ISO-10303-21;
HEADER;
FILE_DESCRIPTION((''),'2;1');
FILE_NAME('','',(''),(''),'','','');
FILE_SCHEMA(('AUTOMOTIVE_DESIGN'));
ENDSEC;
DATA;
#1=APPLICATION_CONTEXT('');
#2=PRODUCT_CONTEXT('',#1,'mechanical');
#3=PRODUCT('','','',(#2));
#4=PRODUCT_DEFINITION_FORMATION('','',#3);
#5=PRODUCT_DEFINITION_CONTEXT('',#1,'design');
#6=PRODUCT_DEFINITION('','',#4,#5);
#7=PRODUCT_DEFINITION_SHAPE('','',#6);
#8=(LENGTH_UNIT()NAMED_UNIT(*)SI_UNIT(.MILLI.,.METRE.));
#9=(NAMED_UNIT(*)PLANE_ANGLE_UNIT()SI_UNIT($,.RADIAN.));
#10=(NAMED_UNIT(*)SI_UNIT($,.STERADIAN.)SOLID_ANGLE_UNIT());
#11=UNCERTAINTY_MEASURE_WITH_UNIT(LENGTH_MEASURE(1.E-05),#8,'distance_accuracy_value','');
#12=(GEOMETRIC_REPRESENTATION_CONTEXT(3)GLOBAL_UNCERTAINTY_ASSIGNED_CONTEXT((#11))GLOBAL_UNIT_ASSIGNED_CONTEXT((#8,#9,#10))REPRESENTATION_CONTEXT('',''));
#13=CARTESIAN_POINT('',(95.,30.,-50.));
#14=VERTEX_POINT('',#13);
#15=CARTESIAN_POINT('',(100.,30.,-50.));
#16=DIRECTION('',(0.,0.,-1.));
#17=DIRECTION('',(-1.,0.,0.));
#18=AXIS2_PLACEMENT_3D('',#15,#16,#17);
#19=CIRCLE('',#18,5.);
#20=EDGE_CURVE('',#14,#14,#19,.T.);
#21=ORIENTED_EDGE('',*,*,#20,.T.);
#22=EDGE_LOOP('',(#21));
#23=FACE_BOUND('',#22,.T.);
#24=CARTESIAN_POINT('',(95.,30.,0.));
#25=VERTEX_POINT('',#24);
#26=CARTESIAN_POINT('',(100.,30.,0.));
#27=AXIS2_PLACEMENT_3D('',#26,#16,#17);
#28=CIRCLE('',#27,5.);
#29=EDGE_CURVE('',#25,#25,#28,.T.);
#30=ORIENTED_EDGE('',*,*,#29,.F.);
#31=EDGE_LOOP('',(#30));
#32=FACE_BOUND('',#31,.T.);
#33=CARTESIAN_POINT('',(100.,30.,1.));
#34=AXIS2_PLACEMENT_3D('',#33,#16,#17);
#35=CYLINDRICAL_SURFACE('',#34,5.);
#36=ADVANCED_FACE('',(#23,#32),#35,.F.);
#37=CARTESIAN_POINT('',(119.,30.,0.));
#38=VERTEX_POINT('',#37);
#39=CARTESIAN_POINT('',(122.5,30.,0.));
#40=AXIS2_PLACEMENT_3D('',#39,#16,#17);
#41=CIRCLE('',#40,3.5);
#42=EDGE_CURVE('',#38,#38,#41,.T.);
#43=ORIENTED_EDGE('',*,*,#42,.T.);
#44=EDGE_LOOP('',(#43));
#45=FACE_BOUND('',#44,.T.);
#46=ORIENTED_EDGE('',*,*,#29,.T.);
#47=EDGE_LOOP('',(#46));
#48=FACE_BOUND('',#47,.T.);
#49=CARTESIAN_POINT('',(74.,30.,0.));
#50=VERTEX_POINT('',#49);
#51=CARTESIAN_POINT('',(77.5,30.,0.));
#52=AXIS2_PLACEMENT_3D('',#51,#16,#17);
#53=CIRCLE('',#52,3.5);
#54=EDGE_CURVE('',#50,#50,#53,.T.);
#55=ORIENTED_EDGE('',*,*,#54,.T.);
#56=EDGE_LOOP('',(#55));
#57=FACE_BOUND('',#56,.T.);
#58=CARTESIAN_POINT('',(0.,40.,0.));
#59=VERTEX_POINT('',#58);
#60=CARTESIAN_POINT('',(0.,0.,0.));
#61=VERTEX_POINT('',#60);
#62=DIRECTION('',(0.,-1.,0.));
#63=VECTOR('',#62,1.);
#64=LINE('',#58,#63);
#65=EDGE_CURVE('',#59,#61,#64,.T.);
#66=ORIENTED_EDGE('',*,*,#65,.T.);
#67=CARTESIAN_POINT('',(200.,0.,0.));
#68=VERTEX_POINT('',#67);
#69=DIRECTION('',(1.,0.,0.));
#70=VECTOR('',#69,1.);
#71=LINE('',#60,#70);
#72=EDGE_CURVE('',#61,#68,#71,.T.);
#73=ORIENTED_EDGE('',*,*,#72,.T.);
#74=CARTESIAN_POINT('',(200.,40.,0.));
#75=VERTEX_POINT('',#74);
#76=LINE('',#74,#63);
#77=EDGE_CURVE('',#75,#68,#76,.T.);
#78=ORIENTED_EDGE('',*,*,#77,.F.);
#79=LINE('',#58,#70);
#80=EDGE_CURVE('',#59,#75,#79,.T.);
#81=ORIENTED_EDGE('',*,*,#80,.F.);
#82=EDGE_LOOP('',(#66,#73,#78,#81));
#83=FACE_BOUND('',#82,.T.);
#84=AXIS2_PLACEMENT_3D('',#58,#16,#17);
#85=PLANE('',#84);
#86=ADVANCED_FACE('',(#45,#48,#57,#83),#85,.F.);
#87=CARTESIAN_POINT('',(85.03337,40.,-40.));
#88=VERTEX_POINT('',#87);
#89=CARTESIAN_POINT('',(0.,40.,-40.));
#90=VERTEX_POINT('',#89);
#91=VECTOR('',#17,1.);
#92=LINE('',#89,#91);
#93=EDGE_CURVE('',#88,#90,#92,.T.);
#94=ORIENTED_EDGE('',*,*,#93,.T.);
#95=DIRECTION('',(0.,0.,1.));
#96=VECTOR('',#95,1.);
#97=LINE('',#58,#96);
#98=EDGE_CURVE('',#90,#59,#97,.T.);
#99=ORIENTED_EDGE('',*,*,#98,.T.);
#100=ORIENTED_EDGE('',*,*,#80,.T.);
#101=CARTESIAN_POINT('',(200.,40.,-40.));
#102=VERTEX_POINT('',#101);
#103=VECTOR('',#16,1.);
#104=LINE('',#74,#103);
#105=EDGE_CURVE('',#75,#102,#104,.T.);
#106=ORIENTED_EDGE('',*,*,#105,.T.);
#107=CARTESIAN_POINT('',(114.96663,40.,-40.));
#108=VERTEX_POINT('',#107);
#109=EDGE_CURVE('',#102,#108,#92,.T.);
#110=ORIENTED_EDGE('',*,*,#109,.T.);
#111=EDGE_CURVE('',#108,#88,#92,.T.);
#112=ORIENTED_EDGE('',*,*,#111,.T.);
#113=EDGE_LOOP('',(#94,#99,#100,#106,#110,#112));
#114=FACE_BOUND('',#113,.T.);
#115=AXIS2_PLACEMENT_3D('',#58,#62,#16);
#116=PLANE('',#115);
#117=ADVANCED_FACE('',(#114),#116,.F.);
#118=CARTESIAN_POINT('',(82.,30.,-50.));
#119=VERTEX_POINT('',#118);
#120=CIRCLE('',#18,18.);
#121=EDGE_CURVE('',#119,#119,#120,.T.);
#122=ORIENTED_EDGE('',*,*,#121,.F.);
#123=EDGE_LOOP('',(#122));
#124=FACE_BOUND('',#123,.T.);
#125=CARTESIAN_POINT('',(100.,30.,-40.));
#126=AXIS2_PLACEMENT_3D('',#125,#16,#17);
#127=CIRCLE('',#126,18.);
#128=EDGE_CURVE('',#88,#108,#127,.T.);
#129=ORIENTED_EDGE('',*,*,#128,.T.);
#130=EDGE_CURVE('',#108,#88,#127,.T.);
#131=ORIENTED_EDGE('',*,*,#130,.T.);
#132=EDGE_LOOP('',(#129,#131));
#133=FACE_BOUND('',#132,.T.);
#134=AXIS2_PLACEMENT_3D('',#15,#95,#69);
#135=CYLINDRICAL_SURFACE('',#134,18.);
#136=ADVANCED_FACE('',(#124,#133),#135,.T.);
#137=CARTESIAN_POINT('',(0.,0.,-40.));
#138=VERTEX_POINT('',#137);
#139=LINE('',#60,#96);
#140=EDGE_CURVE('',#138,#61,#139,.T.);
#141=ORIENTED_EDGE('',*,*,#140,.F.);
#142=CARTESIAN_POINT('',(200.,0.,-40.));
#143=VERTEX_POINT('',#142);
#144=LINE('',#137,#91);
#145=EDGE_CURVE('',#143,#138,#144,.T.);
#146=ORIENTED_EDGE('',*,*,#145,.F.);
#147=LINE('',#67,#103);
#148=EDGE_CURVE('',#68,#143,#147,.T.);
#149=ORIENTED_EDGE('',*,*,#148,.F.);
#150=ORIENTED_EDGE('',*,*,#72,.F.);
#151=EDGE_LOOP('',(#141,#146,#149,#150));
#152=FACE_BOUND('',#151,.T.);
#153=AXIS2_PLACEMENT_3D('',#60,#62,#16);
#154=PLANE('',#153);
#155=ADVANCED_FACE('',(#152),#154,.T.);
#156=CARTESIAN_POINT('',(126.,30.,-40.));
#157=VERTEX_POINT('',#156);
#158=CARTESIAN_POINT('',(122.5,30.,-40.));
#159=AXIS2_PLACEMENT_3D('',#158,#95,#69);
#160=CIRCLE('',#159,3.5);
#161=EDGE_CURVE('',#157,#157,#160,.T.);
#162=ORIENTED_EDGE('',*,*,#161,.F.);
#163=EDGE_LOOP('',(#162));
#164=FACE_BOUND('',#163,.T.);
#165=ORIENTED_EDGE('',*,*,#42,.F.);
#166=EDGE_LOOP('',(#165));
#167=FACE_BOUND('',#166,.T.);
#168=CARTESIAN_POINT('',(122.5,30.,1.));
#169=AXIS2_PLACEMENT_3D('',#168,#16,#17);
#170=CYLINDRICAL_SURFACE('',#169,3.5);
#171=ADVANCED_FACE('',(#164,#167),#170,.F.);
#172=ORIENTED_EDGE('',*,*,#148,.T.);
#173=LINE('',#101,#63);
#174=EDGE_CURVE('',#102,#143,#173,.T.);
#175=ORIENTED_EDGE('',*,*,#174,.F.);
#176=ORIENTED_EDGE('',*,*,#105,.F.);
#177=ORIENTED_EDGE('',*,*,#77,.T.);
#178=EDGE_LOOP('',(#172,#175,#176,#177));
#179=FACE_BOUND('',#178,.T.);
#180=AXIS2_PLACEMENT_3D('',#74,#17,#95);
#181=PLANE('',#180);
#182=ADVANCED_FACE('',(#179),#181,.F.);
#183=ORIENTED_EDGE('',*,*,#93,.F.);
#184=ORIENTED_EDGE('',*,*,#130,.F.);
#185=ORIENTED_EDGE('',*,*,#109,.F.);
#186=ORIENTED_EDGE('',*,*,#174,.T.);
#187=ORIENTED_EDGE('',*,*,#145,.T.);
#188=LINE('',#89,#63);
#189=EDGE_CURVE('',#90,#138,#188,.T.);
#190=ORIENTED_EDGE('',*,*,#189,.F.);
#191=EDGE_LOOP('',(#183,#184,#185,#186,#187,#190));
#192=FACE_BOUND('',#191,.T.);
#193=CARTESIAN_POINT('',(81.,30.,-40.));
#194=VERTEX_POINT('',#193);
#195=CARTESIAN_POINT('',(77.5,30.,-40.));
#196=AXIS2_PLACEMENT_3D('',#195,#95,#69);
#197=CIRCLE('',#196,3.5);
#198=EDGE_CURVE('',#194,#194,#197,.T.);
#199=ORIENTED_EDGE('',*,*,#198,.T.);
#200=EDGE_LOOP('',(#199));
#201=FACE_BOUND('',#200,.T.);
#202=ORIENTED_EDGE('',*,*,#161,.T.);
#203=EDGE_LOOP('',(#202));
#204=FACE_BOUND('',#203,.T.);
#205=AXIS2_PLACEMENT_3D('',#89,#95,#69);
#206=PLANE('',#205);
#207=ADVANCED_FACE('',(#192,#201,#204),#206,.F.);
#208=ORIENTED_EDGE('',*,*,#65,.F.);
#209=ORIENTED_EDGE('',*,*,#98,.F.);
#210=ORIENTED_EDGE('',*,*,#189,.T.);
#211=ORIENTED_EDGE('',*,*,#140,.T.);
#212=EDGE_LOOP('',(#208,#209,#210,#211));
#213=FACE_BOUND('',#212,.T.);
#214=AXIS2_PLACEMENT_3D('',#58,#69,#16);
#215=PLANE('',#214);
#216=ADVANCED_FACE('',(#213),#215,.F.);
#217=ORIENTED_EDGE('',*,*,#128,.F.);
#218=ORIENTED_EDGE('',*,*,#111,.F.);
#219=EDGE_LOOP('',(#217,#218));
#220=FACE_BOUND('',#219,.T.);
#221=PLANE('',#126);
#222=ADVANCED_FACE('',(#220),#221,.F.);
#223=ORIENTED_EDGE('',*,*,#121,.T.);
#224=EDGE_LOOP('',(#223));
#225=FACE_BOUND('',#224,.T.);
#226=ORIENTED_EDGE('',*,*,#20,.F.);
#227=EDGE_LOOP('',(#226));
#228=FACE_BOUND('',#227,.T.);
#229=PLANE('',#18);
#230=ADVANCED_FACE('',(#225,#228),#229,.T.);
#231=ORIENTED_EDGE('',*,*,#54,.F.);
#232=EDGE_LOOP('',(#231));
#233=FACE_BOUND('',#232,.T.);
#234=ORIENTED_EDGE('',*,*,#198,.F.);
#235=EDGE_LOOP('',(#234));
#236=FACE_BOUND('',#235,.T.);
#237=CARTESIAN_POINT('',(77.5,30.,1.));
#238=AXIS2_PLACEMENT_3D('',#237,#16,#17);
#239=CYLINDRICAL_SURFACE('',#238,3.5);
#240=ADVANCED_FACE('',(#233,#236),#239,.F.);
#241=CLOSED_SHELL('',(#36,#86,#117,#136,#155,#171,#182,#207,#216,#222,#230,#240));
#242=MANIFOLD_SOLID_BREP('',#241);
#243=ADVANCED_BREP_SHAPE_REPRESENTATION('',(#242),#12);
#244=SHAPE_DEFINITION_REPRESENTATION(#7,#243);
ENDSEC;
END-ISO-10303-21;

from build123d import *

# Parameters (mm, degrees)
SKETCH2_W           = 200
SKETCH2_H           = 40
BOSS_EXTRUDE1_DEPTH = 40
SKETCH3_R           = 18
BOSS_EXTRUDE2_DEPTH = 10
SKETCH4_R           = 5
CUT_EXTRUDE1_DEPTH  = 51
SKETCH5_R           = 3.5
CUT_EXTRUDE2_DEPTH  = 51


with BuildPart() as part:
    # Sketch2 → Boss-Extrude1 (new body)
    with BuildSketch(Plane(origin=(0, 0, 0), x_dir=(1, 0, 0), z_dir=(0, 1, 0))):
        with Locations((100, 20)):
            Rectangle(SKETCH2_W, SKETCH2_H)
    extrude(amount=BOSS_EXTRUDE1_DEPTH)

    # Sketch3 → Boss-Extrude2 (add)
    with BuildSketch(Plane(origin=(0, 0, -40), x_dir=(-1, 0, 0), z_dir=(0, 0, -1))):
        with Locations(Location((-100, 30, 0), (0, 0, 146.251011404))):
            Circle(SKETCH3_R)
    extrude(amount=BOSS_EXTRUDE2_DEPTH)

    # Sketch4 → Cut-Extrude1 (cut)
    with BuildSketch(Plane(origin=(0, 0, -50), x_dir=(-1, 0, 0), z_dir=(0, 0, -1))):
        with Locations((-100, 30)):
            Circle(SKETCH4_R)
    extrude(amount=-CUT_EXTRUDE1_DEPTH, mode=Mode.SUBTRACT)

    # Sketch5 → Cut-Extrude2 (cut)
    with BuildSketch(Plane(origin=(0, 0, -50), x_dir=(-1, 0, 0), z_dir=(0, 0, -1))):
        with Locations((-77.5, 30)):
            Circle(SKETCH5_R)
        with Locations((-122.5, 30)):
            Circle(SKETCH5_R)
    extrude(amount=-CUT_EXTRUDE2_DEPTH, mode=Mode.SUBTRACT)


solid = part.part
